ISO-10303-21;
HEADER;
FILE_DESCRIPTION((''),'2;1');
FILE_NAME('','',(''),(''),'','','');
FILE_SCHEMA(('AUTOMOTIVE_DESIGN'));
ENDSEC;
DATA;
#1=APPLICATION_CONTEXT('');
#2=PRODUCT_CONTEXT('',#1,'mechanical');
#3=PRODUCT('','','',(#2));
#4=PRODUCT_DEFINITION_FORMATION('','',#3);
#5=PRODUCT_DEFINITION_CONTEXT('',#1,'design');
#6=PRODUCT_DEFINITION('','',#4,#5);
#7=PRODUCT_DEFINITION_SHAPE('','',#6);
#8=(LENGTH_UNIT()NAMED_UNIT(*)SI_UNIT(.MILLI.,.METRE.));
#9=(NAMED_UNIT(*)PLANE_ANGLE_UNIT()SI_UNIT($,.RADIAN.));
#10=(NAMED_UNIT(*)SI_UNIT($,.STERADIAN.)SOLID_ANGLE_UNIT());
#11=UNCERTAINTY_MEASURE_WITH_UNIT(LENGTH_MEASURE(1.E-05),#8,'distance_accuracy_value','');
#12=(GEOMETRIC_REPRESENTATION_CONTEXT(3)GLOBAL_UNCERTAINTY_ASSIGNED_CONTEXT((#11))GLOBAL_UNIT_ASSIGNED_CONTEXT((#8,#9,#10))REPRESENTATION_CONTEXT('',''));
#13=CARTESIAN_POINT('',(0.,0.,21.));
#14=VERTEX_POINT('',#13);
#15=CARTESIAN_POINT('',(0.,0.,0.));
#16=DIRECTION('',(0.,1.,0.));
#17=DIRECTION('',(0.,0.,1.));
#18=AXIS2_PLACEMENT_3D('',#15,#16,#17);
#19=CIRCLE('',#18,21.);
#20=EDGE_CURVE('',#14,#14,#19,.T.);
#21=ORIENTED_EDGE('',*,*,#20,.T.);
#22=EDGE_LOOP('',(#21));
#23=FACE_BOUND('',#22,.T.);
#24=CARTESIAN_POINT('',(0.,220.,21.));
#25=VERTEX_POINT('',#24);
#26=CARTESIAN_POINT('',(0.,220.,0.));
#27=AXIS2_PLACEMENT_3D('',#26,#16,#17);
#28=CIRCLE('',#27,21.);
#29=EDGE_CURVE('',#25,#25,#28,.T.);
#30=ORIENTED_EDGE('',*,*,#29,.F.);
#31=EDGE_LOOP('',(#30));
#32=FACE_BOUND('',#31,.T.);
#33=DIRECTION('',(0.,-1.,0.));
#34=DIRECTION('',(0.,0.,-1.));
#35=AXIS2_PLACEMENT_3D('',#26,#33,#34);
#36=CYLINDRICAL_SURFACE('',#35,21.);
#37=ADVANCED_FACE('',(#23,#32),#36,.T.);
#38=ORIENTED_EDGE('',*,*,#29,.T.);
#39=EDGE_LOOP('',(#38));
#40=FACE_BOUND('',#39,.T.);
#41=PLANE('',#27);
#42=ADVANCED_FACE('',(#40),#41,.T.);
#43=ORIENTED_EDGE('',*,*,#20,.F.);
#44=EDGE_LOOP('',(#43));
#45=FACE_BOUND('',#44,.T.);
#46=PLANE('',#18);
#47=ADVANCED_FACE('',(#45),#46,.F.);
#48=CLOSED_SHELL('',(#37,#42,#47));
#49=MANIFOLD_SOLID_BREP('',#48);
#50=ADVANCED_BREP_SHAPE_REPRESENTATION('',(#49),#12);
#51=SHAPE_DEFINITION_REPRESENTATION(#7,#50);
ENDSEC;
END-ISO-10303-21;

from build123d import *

# Parameters (mm, degrees)
SKETCH1_R           = 21
BOSS_EXTRUDE1_DEPTH = 220


with BuildPart() as part:
    # Sketch1 → Boss-Extrude1 (new body)
    with BuildSketch(Plane(origin=(0, 0, 0), x_dir=(1, 0, 0), z_dir=(0, 1, 0))):
        Circle(SKETCH1_R)
    extrude(amount=BOSS_EXTRUDE1_DEPTH)


solid = part.part
